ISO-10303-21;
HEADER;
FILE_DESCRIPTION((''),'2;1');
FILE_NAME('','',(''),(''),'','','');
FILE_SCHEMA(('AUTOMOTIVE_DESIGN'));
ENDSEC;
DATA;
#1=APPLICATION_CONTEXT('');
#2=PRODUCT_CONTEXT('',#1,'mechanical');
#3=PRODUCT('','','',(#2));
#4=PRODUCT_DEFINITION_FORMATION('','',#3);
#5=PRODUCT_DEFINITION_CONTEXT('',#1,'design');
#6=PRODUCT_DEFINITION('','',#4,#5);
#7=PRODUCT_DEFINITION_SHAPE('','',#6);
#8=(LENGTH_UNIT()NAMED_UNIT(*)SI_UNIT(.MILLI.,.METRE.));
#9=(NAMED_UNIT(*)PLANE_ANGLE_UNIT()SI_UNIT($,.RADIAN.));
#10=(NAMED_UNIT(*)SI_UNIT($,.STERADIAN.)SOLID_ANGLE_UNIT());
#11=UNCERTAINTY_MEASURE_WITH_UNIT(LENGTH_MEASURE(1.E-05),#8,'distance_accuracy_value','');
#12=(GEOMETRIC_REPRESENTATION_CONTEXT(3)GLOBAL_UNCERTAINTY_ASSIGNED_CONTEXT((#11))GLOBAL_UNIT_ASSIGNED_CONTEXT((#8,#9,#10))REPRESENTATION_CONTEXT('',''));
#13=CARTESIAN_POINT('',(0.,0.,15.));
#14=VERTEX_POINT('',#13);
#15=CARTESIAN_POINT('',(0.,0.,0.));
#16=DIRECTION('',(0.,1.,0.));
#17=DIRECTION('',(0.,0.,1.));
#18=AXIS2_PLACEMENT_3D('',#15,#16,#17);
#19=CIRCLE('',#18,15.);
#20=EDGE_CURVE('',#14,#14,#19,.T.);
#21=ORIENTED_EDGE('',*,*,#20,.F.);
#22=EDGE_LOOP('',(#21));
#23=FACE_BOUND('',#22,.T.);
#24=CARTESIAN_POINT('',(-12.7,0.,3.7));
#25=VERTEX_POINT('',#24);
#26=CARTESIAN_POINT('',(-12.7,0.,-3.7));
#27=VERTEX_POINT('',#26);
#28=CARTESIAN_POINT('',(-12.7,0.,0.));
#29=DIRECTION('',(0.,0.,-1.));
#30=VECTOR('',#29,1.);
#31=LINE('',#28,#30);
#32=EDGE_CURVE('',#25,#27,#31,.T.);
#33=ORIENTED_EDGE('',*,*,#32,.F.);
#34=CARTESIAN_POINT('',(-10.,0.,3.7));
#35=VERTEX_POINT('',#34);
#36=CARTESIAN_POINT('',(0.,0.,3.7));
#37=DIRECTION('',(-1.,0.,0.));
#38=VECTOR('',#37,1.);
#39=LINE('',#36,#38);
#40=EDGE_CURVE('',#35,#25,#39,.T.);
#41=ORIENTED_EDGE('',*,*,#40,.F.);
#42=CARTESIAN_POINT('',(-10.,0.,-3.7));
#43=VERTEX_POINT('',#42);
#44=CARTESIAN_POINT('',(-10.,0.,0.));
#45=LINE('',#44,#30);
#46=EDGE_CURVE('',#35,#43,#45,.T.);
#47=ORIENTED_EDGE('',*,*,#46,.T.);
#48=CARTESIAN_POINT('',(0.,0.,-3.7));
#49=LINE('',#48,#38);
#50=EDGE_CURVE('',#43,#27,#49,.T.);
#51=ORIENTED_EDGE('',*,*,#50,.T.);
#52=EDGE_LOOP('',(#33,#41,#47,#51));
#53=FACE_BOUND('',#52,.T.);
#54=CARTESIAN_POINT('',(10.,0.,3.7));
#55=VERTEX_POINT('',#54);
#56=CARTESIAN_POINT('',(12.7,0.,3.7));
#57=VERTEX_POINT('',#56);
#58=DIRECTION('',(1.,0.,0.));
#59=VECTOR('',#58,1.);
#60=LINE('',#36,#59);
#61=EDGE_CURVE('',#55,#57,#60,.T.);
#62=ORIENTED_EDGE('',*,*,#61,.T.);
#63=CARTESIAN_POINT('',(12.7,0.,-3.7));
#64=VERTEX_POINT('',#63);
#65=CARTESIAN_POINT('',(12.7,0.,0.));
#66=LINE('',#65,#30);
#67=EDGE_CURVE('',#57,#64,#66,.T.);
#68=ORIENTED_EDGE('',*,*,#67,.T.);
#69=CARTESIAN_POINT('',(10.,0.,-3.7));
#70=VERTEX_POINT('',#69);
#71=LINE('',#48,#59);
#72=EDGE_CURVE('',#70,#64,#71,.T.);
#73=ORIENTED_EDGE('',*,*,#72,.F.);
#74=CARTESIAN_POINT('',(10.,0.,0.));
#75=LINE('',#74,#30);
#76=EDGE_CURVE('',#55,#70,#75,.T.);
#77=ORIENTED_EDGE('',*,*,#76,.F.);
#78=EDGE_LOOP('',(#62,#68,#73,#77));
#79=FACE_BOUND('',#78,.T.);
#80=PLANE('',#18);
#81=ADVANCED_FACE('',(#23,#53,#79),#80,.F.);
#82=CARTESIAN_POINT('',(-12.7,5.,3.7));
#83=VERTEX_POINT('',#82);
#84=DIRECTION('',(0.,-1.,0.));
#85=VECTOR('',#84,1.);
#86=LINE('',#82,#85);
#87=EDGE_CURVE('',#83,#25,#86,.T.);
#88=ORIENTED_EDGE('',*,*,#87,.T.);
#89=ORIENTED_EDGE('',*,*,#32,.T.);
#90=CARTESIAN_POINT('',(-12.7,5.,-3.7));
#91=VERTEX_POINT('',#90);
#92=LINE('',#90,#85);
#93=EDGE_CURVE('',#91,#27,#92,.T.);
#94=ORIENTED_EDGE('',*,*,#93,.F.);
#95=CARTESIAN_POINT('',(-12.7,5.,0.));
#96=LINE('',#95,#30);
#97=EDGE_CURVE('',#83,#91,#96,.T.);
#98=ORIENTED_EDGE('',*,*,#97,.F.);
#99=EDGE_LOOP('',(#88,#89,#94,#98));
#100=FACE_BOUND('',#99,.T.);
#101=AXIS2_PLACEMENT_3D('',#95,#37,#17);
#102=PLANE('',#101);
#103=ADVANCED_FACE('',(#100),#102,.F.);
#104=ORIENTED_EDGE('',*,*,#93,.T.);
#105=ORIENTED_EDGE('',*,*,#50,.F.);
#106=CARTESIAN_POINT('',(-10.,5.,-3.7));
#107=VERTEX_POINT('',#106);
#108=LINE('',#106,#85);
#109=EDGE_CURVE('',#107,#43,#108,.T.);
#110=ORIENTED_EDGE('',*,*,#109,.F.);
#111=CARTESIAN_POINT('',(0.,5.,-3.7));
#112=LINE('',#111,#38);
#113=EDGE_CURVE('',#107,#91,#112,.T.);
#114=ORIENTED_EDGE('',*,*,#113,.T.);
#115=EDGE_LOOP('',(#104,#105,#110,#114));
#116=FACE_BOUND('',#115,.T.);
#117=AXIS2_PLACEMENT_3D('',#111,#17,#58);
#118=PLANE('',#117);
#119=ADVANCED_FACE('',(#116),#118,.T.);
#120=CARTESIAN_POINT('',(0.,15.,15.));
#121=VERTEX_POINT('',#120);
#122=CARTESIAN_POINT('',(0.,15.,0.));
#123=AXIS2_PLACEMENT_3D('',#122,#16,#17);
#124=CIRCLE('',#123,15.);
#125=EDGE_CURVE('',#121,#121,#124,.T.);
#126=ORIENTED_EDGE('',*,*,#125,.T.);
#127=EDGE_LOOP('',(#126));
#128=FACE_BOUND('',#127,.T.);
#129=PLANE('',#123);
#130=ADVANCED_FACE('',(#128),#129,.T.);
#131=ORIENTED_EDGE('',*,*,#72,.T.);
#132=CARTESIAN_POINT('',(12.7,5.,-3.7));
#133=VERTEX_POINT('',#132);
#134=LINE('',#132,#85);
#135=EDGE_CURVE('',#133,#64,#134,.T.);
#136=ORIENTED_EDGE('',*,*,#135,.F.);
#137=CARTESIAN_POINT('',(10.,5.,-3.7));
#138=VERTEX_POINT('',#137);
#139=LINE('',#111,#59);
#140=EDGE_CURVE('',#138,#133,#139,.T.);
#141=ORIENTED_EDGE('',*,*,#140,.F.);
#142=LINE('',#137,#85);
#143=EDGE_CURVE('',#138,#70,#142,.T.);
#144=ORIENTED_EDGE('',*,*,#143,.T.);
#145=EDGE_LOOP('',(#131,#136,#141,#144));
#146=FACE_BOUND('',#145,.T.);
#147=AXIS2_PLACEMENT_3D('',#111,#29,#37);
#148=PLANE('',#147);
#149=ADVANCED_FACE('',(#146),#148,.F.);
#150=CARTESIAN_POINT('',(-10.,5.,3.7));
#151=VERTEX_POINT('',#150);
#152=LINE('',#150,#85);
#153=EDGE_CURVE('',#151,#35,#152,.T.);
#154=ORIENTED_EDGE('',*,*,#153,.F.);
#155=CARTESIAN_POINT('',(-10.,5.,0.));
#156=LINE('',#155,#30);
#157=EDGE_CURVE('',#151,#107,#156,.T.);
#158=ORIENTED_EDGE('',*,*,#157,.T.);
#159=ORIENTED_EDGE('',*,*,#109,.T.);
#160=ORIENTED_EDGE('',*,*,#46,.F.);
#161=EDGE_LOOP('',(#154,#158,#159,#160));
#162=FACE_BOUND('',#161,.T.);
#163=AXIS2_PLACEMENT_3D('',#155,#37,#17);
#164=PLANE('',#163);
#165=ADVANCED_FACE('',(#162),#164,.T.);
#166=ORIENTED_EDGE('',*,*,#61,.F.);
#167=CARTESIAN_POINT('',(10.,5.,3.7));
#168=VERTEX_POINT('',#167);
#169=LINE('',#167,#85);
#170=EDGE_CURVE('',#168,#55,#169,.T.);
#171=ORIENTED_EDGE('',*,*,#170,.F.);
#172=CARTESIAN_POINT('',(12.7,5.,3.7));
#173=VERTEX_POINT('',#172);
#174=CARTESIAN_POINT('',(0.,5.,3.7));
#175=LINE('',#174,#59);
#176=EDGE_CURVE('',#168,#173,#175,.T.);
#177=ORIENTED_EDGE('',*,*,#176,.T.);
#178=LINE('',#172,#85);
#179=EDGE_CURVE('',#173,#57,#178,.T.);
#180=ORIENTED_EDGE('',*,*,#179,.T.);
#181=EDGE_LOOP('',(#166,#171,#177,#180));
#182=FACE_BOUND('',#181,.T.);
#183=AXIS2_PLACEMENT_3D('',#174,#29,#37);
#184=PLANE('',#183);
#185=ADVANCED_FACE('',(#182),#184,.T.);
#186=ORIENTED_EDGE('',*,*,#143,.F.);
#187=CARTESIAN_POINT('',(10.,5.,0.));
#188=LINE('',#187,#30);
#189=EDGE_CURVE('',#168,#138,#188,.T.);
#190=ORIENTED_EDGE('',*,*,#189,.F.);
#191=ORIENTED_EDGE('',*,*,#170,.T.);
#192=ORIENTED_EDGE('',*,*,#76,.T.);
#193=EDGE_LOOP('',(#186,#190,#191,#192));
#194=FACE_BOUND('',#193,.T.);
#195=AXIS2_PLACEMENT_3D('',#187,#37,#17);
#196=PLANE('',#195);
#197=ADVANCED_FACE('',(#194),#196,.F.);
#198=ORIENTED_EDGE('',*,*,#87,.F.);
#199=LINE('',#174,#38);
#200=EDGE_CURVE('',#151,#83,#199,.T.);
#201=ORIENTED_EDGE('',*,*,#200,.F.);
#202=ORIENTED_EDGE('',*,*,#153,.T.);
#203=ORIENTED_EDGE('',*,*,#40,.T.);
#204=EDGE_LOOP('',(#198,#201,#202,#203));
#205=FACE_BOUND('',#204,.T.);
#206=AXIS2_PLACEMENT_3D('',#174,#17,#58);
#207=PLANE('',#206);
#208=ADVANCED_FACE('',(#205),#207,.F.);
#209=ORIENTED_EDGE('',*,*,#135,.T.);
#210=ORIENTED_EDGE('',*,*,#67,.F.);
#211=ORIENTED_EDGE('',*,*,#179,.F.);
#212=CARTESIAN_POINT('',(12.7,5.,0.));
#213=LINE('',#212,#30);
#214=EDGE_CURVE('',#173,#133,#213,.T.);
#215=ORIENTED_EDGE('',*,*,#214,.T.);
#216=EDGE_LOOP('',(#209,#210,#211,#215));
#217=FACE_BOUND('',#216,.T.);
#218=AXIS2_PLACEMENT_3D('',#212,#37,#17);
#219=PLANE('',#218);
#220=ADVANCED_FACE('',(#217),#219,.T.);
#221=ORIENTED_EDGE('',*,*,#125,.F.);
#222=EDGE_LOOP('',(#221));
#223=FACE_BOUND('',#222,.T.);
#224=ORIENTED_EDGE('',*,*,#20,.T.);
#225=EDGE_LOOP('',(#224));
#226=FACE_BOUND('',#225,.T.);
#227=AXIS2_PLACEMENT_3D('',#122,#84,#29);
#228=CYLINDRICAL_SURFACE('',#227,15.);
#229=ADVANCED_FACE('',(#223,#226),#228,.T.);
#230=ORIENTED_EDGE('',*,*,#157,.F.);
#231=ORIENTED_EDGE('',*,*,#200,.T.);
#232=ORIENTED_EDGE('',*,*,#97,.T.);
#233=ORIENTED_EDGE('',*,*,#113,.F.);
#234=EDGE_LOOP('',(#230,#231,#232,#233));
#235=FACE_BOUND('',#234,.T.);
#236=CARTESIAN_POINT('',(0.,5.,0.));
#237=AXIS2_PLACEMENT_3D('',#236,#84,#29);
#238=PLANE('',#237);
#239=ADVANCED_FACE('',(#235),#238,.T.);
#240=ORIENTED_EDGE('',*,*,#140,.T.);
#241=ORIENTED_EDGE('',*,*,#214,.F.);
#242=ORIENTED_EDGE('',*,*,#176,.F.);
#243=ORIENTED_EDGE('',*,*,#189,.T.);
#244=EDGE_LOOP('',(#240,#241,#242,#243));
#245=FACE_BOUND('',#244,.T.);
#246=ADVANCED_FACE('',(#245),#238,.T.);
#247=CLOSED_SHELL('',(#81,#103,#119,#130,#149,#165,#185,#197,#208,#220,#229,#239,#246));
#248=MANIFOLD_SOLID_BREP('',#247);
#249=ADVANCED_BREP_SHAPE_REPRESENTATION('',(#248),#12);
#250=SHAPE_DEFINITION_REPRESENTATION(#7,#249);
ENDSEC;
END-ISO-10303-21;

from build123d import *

# Parameters (mm, degrees)
SKETCH1_R           = 15
BOSS_EXTRUDE1_DEPTH = 15
SKETCH2_W           = 2.7
SKETCH2_H           = 7.4
CUT_EXTRUDE1_DEPTH  = 5


with BuildPart() as part:
    # Sketch1 → Boss-Extrude1 (new body)
    with BuildSketch(Plane(origin=(0, 0, 0), x_dir=(1, 0, 0), z_dir=(0, 1, 0))):
        Circle(SKETCH1_R)
    extrude(amount=BOSS_EXTRUDE1_DEPTH)

    # Sketch2 → Cut-Extrude1 (cut)
    with BuildSketch(Plane.XZ):
        with Locations((-11.35, 0)):
            Rectangle(SKETCH2_W, SKETCH2_H)
        with Locations((11.35, 0)):
            Rectangle(SKETCH2_W, SKETCH2_H)
    extrude(amount=-CUT_EXTRUDE1_DEPTH, mode=Mode.SUBTRACT)


solid = part.part
